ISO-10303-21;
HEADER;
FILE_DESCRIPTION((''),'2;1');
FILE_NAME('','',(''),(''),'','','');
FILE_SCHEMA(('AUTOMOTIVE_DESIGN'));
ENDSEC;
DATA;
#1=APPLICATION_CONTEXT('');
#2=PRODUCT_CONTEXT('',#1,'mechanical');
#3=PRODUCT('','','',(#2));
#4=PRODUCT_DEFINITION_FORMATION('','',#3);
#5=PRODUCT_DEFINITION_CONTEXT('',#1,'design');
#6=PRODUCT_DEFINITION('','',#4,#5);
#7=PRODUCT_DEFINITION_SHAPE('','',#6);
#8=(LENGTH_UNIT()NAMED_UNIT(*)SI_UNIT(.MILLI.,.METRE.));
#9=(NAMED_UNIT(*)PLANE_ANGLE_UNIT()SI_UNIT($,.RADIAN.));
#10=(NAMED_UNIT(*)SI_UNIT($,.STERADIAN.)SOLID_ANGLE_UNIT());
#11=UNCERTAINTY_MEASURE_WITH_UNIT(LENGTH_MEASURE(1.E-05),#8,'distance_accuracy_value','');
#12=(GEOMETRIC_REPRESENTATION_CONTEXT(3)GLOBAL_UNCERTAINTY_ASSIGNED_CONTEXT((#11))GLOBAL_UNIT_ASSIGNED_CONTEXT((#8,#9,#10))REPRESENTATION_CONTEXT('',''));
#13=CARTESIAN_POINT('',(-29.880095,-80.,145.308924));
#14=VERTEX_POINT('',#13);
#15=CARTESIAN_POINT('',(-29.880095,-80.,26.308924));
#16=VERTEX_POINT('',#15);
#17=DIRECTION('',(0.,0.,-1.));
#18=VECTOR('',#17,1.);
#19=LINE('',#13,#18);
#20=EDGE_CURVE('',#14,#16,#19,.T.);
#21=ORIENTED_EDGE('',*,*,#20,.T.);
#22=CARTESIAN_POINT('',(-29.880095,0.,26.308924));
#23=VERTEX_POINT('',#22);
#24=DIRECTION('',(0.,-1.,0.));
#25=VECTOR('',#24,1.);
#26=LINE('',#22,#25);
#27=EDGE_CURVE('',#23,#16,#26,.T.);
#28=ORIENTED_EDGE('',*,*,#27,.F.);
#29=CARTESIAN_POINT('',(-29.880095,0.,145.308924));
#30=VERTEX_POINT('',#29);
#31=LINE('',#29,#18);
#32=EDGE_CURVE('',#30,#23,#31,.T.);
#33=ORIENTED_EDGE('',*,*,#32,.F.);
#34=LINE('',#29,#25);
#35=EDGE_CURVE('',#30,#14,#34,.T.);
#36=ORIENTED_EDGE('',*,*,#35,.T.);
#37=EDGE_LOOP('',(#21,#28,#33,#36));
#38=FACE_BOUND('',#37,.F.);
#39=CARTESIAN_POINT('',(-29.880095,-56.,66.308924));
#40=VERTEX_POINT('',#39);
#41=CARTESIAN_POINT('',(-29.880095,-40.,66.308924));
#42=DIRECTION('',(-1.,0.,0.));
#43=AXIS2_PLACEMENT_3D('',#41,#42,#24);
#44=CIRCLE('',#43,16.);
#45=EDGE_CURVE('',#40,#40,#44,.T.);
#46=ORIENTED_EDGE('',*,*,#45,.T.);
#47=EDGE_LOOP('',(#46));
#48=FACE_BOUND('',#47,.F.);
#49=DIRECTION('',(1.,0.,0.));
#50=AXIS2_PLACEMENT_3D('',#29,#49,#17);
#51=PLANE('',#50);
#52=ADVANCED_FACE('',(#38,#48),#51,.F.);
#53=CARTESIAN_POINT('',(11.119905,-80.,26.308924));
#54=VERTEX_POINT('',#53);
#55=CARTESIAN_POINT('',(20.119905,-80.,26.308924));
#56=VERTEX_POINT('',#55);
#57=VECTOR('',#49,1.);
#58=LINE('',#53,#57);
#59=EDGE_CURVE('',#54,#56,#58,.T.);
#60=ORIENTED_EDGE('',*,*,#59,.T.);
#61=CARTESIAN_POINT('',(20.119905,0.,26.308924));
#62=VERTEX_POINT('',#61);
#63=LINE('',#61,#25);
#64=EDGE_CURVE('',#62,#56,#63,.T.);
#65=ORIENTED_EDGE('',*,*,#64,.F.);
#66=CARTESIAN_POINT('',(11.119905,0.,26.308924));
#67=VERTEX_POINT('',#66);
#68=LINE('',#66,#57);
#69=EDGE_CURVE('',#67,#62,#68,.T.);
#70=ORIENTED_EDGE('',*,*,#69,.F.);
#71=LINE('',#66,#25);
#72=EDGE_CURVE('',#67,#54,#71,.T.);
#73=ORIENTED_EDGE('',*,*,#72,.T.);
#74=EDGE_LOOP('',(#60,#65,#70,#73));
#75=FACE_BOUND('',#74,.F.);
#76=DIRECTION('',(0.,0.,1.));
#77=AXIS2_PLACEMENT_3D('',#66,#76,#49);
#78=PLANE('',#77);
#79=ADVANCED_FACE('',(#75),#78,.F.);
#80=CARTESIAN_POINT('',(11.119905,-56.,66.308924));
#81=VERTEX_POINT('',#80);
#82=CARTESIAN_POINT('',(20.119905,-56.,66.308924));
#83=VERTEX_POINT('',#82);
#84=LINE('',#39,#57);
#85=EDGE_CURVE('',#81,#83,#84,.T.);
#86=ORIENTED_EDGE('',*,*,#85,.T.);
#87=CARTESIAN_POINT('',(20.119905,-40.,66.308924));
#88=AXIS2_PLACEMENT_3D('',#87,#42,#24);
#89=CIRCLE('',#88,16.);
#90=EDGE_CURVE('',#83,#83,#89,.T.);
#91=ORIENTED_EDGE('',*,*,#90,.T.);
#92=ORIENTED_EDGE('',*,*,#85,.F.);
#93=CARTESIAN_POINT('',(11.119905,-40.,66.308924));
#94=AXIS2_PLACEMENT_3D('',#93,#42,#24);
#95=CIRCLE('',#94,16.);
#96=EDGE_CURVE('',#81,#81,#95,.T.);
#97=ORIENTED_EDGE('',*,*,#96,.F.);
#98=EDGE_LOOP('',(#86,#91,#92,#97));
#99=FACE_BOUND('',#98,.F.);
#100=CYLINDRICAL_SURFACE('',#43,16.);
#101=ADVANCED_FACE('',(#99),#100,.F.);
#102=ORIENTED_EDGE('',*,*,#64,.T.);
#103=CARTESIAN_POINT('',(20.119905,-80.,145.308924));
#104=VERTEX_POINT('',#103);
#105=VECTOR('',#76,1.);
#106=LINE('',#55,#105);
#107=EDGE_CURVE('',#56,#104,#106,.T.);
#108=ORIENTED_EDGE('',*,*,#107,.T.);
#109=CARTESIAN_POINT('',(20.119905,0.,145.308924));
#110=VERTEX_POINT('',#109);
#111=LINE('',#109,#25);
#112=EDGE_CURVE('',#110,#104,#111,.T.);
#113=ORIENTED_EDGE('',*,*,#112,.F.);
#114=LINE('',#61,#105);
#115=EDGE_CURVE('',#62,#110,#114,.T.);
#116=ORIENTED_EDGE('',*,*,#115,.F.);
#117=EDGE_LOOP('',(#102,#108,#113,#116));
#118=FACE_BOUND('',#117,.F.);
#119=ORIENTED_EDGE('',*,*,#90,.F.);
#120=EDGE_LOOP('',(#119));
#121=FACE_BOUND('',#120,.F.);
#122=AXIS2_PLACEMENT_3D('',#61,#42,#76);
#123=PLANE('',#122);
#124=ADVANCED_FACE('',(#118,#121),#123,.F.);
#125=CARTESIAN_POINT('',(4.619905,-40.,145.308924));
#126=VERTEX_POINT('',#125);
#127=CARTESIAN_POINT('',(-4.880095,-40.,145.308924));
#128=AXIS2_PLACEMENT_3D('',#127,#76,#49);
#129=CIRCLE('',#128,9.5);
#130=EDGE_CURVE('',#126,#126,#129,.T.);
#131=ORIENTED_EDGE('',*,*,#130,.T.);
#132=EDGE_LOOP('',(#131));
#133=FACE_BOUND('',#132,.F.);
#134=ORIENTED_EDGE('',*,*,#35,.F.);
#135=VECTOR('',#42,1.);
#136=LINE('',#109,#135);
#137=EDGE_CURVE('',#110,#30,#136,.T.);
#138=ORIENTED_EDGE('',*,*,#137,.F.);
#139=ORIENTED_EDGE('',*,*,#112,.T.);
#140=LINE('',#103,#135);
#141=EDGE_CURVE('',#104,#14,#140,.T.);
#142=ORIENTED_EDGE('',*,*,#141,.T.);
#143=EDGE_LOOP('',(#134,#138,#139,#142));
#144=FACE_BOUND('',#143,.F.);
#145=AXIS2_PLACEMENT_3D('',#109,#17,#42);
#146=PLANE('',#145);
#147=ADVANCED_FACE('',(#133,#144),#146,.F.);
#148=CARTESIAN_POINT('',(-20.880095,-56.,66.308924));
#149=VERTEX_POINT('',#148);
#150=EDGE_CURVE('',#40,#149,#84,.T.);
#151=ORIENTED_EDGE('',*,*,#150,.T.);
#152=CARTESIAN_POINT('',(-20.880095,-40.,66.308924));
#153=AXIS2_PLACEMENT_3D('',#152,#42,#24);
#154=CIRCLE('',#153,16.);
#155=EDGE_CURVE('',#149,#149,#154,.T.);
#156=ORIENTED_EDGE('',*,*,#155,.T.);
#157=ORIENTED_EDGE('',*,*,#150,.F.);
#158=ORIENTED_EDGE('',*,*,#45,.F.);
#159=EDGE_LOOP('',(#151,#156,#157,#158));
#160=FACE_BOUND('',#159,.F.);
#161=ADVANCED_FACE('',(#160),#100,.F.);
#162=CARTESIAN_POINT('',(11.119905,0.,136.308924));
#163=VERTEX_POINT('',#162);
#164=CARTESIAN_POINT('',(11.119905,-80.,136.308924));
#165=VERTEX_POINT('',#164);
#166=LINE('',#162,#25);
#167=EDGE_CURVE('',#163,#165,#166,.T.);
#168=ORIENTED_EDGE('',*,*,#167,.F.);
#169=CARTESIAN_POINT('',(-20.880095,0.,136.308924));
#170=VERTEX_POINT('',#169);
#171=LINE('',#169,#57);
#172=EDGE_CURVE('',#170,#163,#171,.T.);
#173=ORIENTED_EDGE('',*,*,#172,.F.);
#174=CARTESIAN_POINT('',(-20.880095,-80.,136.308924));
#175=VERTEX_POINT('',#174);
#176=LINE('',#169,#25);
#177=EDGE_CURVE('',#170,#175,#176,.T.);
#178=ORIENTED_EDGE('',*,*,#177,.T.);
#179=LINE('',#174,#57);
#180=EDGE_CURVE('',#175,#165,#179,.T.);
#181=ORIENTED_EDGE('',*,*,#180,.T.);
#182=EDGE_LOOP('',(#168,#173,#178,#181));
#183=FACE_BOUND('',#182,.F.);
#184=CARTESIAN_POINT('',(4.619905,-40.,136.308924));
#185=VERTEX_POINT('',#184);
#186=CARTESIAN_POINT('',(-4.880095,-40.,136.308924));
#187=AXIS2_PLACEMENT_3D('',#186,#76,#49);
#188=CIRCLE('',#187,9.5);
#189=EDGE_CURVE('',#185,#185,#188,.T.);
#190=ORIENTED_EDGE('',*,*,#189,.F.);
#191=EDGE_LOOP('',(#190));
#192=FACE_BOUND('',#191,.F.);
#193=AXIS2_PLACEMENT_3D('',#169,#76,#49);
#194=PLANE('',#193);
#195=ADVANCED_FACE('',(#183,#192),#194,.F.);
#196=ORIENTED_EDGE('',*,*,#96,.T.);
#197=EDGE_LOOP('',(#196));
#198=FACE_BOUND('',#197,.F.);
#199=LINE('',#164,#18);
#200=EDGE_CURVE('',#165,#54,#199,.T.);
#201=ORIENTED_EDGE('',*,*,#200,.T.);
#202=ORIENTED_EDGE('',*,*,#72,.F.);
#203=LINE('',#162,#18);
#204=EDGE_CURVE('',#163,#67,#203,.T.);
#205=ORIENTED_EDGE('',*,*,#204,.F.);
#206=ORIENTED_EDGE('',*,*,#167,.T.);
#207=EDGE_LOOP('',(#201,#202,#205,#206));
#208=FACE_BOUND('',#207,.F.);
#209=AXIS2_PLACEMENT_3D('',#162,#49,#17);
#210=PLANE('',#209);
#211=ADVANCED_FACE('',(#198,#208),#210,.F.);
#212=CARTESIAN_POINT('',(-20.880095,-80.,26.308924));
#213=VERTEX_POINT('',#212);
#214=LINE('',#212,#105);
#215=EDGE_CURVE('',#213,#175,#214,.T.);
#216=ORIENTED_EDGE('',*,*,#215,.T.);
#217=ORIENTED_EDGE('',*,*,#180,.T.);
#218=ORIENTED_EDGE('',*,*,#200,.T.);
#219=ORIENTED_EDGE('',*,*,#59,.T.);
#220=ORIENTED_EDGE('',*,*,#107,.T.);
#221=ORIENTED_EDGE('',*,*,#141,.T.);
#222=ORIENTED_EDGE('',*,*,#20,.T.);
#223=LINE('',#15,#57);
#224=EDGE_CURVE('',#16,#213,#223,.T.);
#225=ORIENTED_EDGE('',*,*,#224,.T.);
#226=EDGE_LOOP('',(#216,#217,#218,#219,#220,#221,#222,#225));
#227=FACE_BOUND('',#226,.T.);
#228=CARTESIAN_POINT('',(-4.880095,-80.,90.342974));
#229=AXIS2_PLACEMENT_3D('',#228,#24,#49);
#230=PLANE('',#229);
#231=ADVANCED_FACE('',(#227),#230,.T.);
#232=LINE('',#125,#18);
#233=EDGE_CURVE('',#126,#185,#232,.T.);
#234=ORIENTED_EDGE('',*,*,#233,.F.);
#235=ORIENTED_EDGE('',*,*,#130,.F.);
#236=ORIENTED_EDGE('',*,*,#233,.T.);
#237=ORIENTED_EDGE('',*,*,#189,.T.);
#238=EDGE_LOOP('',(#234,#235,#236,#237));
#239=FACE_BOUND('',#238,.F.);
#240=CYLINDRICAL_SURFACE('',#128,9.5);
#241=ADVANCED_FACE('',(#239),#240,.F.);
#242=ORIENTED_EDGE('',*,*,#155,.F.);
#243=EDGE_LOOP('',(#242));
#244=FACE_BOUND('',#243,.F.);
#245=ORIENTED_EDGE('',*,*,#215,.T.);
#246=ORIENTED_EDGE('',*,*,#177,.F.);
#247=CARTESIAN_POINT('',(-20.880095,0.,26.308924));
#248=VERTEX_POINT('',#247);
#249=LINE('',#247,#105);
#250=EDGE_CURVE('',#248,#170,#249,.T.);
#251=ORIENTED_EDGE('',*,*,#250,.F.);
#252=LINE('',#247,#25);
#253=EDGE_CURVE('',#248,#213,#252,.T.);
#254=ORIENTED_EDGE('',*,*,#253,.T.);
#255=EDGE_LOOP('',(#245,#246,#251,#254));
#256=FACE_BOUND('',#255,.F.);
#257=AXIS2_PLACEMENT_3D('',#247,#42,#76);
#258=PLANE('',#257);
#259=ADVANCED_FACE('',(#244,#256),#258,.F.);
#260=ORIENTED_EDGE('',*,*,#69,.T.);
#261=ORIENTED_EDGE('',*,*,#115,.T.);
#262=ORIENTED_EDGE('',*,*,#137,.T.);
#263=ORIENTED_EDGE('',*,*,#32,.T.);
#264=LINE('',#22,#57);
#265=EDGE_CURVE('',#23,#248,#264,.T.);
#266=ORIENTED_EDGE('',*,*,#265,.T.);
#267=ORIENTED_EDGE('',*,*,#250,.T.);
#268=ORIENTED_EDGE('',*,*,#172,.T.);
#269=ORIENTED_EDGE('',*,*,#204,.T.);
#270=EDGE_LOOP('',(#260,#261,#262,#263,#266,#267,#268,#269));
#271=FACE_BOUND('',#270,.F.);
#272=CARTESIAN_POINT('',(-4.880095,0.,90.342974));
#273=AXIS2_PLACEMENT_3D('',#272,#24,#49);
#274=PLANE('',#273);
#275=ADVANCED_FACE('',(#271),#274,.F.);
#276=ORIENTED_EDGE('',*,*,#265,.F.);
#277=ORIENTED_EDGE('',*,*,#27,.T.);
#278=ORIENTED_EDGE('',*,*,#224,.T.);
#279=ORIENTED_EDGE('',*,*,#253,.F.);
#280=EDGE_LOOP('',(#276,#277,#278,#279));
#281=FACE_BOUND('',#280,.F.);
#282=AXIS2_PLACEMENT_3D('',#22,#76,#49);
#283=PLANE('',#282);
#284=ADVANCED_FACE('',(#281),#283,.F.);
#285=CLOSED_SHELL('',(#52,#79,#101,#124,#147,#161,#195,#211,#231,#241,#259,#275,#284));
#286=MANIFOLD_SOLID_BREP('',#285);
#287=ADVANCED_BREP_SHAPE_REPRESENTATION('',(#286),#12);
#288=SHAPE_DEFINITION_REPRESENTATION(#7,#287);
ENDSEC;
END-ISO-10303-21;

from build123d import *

# Parameters (mm, degrees)
F1_DEPTH = 80
F2_R     = 16
F3_DEPTH = 50.001
F4_R     = 9.5
F5_DEPTH = 119.001


with BuildPart() as f1:
    # F0 (on Front) → F1 (new body)
    with BuildSketch(Plane.XZ):
        Polygon((-29.880095, 26.308924), (-20.880095, 26.308924), (-20.880095, 136.308924), (11.119905, 136.308924), (11.119905, 26.308924), (20.119905, 26.308924), (20.119905, 145.308924), (-29.880095, 145.308924), align=None)
    extrude(amount=F1_DEPTH)

    # F2 (on face) → F3 (cut, through all)
    with BuildSketch(Plane(origin=(-29.880095, 0, 0), x_dir=(0, -1, 0), z_dir=(-1, 0, 0))):
        with Locations((40, 66.308924)):
            Circle(F2_R)
    extrude(amount=-F3_DEPTH, mode=Mode.SUBTRACT)

    # F4 (on face) → F5 (cut, through all)
    with BuildSketch(Plane.XY.offset(145.308924)):
        with Locations((-4.880095, -40)):
            Circle(F4_R)
    extrude(amount=-F5_DEPTH, mode=Mode.SUBTRACT)


solid = f1.part
